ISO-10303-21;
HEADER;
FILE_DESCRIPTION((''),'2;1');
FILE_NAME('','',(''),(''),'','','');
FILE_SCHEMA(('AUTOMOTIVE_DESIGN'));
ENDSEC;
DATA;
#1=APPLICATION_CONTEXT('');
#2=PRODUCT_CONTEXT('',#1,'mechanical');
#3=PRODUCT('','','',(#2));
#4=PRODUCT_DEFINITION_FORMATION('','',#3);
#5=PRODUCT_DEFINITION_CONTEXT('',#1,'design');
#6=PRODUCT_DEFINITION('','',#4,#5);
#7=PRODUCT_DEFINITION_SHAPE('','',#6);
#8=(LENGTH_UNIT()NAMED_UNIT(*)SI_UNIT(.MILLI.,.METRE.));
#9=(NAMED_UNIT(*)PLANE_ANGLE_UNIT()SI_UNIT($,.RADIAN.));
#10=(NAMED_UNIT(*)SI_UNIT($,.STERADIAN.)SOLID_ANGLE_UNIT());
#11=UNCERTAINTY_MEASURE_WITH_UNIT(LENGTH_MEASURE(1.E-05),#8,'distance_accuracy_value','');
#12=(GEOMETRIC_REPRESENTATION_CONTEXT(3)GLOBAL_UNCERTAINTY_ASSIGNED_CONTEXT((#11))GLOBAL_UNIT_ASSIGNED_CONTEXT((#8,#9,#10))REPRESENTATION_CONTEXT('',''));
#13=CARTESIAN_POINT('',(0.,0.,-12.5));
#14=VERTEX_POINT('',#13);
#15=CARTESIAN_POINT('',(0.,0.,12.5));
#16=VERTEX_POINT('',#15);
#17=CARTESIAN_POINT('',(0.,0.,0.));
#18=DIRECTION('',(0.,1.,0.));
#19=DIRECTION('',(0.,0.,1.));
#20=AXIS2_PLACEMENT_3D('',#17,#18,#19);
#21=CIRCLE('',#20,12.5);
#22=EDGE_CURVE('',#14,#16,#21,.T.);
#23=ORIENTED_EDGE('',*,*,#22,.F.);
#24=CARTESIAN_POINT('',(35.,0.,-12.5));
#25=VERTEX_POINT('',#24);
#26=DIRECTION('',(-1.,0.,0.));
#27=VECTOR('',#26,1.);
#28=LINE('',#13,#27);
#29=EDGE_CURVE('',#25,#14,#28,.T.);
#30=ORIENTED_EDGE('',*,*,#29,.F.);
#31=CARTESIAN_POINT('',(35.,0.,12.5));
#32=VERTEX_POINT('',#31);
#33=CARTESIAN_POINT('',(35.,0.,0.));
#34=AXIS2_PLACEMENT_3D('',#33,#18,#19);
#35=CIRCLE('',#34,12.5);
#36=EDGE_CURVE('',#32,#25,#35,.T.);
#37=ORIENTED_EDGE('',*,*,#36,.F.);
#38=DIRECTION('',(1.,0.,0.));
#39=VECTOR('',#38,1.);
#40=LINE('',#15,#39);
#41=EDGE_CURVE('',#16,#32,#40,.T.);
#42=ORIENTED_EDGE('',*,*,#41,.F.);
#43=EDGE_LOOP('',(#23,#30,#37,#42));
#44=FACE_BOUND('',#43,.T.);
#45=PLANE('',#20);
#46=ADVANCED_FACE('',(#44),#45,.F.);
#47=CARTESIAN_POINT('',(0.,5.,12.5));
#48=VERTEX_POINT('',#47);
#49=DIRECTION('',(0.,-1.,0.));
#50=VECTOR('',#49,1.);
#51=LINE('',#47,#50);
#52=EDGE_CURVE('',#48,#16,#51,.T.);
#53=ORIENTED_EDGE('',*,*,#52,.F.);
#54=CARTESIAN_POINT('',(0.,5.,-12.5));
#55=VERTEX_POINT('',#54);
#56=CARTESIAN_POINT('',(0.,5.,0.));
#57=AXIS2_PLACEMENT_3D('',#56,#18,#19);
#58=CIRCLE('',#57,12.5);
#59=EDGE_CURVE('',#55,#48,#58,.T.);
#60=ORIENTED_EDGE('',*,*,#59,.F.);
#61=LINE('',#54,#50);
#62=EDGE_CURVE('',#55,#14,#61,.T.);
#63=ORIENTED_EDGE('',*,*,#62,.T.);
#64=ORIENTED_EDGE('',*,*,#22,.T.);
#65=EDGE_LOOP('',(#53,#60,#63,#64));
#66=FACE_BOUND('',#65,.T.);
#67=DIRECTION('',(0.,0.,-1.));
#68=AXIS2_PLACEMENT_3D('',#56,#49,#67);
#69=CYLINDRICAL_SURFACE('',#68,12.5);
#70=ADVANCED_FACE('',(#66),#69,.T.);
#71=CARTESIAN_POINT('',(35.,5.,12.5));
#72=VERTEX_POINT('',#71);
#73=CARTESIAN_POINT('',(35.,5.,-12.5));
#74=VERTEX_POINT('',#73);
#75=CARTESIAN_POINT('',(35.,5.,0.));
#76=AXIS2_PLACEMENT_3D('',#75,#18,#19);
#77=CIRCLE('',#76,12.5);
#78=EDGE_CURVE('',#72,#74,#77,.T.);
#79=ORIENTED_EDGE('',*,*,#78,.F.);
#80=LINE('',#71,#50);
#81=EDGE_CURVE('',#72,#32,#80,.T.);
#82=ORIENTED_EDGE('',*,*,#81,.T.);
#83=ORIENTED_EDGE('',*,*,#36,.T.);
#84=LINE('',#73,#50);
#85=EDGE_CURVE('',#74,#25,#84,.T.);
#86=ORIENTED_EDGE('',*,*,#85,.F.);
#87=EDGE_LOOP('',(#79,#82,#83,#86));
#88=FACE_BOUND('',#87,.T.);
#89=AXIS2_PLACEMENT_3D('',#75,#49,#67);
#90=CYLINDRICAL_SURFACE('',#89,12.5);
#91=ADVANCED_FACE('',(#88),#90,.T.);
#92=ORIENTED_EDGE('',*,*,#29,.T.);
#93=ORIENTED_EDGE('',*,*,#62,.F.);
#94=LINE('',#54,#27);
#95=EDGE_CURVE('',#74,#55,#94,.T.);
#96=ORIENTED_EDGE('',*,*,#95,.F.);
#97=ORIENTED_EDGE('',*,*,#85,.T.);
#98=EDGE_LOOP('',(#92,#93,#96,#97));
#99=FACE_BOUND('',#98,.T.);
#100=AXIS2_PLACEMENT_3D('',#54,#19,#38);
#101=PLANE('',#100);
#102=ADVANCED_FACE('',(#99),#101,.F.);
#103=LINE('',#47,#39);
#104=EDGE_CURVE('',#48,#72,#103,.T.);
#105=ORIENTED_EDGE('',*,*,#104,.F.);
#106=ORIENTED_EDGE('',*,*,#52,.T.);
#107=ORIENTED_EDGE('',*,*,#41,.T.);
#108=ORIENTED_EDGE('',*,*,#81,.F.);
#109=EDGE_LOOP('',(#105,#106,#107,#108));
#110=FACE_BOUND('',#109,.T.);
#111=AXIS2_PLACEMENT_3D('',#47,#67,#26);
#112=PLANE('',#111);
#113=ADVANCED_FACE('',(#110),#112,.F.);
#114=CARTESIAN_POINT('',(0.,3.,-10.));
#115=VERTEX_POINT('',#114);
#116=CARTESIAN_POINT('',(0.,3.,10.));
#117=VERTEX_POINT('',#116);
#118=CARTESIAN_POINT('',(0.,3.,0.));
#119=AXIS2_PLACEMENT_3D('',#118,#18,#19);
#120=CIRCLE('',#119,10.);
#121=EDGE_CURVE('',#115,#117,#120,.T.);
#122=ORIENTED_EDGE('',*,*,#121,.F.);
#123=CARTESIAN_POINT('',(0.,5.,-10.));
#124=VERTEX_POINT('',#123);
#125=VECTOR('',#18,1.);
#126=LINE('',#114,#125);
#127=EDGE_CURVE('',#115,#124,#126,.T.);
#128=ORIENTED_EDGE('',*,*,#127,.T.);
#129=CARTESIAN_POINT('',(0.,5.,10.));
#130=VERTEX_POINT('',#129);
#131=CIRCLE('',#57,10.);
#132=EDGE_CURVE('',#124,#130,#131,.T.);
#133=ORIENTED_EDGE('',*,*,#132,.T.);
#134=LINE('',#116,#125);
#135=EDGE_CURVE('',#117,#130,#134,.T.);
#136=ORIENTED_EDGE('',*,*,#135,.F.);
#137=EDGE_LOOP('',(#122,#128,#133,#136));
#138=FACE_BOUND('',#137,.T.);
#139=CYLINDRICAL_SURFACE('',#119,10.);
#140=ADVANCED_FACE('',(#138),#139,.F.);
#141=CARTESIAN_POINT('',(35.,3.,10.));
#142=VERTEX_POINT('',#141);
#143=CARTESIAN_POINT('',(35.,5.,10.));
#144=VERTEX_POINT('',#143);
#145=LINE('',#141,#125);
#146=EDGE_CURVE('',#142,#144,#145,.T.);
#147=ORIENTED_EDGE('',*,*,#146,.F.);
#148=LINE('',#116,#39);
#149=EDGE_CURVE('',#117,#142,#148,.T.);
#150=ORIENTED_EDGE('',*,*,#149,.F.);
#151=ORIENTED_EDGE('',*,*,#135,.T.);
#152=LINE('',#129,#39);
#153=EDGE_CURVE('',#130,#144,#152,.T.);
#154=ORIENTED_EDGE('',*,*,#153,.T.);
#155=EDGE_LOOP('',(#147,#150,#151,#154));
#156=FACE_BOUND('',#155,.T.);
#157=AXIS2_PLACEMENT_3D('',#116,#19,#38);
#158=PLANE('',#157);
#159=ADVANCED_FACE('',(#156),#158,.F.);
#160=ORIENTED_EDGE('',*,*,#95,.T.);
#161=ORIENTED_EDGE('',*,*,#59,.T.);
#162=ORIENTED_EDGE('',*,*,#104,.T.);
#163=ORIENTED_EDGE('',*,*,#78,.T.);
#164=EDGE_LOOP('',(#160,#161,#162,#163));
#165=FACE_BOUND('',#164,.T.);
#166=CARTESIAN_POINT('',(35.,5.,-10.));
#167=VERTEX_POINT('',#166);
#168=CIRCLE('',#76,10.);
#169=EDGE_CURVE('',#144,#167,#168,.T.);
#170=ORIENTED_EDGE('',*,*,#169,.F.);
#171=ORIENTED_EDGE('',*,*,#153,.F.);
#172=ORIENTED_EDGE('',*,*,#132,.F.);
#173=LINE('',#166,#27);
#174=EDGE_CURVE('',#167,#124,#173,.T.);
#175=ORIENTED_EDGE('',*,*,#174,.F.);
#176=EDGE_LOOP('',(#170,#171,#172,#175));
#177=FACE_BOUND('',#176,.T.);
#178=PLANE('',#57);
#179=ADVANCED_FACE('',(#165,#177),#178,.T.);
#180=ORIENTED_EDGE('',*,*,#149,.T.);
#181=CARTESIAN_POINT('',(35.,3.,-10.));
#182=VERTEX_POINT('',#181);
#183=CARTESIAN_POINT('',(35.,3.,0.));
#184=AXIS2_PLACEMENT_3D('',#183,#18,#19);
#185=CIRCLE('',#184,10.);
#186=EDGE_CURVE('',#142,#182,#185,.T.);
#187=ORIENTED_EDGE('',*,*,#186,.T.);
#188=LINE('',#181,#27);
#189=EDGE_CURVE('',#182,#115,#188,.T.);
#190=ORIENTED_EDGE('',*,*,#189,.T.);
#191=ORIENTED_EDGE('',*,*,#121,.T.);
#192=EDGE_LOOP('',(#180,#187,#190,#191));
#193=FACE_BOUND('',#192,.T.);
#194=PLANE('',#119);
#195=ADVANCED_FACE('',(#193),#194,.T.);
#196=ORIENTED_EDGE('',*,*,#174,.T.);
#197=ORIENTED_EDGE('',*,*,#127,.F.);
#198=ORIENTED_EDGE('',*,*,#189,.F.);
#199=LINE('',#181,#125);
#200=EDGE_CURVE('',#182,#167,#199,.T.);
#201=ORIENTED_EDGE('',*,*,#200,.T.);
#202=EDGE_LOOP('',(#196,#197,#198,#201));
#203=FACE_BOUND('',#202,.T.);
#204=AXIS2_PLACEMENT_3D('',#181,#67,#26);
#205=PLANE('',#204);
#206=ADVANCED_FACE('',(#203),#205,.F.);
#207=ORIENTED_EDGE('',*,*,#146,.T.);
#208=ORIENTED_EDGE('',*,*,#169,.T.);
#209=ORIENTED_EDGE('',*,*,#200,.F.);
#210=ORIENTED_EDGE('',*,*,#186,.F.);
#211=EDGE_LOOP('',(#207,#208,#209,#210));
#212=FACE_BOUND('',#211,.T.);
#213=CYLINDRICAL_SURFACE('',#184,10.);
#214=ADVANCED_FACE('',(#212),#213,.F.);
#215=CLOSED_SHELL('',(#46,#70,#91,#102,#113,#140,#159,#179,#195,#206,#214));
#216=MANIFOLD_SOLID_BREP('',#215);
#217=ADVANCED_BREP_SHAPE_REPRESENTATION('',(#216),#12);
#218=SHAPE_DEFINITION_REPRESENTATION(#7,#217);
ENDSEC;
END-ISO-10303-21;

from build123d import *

# Parameters (mm, degrees)
EXTRUDE_1_DEPTH     = 5
CUT_EXTRUDE_1_DEPTH = 2


with BuildPart() as part:
    # 草圖1 → 填料-伸長1 (new body)
    with BuildSketch(Plane(origin=(0, 0, 0), x_dir=(1, 0, 0), z_dir=(0, 1, 0))):
        with BuildLine():
            Line((0, 12.5), (35, 12.5))
            ThreePointArc((35, 12.5), (47.5, 0), (35, -12.5))
            Line((35, -12.5), (0, -12.5))
            ThreePointArc((0, -12.5), (-12.5, 0), (0, 12.5))
        make_face()
    extrude(amount=EXTRUDE_1_DEPTH)

    # 草圖2 → 除料-伸長1 (cut)
    with BuildSketch(Plane(origin=(0, 5, 0), x_dir=(1, 0, 0), z_dir=(0, 1, 0))):
        with BuildLine():
            Line((0, -10), (35, -10))
            ThreePointArc((35, -10), (45, 0), (35, 10))
            Line((35, 10), (0, 10))
            ThreePointArc((0, 10), (-10, 0), (0, -10))
        make_face()
    extrude(amount=-CUT_EXTRUDE_1_DEPTH, mode=Mode.SUBTRACT)


solid = part.part
